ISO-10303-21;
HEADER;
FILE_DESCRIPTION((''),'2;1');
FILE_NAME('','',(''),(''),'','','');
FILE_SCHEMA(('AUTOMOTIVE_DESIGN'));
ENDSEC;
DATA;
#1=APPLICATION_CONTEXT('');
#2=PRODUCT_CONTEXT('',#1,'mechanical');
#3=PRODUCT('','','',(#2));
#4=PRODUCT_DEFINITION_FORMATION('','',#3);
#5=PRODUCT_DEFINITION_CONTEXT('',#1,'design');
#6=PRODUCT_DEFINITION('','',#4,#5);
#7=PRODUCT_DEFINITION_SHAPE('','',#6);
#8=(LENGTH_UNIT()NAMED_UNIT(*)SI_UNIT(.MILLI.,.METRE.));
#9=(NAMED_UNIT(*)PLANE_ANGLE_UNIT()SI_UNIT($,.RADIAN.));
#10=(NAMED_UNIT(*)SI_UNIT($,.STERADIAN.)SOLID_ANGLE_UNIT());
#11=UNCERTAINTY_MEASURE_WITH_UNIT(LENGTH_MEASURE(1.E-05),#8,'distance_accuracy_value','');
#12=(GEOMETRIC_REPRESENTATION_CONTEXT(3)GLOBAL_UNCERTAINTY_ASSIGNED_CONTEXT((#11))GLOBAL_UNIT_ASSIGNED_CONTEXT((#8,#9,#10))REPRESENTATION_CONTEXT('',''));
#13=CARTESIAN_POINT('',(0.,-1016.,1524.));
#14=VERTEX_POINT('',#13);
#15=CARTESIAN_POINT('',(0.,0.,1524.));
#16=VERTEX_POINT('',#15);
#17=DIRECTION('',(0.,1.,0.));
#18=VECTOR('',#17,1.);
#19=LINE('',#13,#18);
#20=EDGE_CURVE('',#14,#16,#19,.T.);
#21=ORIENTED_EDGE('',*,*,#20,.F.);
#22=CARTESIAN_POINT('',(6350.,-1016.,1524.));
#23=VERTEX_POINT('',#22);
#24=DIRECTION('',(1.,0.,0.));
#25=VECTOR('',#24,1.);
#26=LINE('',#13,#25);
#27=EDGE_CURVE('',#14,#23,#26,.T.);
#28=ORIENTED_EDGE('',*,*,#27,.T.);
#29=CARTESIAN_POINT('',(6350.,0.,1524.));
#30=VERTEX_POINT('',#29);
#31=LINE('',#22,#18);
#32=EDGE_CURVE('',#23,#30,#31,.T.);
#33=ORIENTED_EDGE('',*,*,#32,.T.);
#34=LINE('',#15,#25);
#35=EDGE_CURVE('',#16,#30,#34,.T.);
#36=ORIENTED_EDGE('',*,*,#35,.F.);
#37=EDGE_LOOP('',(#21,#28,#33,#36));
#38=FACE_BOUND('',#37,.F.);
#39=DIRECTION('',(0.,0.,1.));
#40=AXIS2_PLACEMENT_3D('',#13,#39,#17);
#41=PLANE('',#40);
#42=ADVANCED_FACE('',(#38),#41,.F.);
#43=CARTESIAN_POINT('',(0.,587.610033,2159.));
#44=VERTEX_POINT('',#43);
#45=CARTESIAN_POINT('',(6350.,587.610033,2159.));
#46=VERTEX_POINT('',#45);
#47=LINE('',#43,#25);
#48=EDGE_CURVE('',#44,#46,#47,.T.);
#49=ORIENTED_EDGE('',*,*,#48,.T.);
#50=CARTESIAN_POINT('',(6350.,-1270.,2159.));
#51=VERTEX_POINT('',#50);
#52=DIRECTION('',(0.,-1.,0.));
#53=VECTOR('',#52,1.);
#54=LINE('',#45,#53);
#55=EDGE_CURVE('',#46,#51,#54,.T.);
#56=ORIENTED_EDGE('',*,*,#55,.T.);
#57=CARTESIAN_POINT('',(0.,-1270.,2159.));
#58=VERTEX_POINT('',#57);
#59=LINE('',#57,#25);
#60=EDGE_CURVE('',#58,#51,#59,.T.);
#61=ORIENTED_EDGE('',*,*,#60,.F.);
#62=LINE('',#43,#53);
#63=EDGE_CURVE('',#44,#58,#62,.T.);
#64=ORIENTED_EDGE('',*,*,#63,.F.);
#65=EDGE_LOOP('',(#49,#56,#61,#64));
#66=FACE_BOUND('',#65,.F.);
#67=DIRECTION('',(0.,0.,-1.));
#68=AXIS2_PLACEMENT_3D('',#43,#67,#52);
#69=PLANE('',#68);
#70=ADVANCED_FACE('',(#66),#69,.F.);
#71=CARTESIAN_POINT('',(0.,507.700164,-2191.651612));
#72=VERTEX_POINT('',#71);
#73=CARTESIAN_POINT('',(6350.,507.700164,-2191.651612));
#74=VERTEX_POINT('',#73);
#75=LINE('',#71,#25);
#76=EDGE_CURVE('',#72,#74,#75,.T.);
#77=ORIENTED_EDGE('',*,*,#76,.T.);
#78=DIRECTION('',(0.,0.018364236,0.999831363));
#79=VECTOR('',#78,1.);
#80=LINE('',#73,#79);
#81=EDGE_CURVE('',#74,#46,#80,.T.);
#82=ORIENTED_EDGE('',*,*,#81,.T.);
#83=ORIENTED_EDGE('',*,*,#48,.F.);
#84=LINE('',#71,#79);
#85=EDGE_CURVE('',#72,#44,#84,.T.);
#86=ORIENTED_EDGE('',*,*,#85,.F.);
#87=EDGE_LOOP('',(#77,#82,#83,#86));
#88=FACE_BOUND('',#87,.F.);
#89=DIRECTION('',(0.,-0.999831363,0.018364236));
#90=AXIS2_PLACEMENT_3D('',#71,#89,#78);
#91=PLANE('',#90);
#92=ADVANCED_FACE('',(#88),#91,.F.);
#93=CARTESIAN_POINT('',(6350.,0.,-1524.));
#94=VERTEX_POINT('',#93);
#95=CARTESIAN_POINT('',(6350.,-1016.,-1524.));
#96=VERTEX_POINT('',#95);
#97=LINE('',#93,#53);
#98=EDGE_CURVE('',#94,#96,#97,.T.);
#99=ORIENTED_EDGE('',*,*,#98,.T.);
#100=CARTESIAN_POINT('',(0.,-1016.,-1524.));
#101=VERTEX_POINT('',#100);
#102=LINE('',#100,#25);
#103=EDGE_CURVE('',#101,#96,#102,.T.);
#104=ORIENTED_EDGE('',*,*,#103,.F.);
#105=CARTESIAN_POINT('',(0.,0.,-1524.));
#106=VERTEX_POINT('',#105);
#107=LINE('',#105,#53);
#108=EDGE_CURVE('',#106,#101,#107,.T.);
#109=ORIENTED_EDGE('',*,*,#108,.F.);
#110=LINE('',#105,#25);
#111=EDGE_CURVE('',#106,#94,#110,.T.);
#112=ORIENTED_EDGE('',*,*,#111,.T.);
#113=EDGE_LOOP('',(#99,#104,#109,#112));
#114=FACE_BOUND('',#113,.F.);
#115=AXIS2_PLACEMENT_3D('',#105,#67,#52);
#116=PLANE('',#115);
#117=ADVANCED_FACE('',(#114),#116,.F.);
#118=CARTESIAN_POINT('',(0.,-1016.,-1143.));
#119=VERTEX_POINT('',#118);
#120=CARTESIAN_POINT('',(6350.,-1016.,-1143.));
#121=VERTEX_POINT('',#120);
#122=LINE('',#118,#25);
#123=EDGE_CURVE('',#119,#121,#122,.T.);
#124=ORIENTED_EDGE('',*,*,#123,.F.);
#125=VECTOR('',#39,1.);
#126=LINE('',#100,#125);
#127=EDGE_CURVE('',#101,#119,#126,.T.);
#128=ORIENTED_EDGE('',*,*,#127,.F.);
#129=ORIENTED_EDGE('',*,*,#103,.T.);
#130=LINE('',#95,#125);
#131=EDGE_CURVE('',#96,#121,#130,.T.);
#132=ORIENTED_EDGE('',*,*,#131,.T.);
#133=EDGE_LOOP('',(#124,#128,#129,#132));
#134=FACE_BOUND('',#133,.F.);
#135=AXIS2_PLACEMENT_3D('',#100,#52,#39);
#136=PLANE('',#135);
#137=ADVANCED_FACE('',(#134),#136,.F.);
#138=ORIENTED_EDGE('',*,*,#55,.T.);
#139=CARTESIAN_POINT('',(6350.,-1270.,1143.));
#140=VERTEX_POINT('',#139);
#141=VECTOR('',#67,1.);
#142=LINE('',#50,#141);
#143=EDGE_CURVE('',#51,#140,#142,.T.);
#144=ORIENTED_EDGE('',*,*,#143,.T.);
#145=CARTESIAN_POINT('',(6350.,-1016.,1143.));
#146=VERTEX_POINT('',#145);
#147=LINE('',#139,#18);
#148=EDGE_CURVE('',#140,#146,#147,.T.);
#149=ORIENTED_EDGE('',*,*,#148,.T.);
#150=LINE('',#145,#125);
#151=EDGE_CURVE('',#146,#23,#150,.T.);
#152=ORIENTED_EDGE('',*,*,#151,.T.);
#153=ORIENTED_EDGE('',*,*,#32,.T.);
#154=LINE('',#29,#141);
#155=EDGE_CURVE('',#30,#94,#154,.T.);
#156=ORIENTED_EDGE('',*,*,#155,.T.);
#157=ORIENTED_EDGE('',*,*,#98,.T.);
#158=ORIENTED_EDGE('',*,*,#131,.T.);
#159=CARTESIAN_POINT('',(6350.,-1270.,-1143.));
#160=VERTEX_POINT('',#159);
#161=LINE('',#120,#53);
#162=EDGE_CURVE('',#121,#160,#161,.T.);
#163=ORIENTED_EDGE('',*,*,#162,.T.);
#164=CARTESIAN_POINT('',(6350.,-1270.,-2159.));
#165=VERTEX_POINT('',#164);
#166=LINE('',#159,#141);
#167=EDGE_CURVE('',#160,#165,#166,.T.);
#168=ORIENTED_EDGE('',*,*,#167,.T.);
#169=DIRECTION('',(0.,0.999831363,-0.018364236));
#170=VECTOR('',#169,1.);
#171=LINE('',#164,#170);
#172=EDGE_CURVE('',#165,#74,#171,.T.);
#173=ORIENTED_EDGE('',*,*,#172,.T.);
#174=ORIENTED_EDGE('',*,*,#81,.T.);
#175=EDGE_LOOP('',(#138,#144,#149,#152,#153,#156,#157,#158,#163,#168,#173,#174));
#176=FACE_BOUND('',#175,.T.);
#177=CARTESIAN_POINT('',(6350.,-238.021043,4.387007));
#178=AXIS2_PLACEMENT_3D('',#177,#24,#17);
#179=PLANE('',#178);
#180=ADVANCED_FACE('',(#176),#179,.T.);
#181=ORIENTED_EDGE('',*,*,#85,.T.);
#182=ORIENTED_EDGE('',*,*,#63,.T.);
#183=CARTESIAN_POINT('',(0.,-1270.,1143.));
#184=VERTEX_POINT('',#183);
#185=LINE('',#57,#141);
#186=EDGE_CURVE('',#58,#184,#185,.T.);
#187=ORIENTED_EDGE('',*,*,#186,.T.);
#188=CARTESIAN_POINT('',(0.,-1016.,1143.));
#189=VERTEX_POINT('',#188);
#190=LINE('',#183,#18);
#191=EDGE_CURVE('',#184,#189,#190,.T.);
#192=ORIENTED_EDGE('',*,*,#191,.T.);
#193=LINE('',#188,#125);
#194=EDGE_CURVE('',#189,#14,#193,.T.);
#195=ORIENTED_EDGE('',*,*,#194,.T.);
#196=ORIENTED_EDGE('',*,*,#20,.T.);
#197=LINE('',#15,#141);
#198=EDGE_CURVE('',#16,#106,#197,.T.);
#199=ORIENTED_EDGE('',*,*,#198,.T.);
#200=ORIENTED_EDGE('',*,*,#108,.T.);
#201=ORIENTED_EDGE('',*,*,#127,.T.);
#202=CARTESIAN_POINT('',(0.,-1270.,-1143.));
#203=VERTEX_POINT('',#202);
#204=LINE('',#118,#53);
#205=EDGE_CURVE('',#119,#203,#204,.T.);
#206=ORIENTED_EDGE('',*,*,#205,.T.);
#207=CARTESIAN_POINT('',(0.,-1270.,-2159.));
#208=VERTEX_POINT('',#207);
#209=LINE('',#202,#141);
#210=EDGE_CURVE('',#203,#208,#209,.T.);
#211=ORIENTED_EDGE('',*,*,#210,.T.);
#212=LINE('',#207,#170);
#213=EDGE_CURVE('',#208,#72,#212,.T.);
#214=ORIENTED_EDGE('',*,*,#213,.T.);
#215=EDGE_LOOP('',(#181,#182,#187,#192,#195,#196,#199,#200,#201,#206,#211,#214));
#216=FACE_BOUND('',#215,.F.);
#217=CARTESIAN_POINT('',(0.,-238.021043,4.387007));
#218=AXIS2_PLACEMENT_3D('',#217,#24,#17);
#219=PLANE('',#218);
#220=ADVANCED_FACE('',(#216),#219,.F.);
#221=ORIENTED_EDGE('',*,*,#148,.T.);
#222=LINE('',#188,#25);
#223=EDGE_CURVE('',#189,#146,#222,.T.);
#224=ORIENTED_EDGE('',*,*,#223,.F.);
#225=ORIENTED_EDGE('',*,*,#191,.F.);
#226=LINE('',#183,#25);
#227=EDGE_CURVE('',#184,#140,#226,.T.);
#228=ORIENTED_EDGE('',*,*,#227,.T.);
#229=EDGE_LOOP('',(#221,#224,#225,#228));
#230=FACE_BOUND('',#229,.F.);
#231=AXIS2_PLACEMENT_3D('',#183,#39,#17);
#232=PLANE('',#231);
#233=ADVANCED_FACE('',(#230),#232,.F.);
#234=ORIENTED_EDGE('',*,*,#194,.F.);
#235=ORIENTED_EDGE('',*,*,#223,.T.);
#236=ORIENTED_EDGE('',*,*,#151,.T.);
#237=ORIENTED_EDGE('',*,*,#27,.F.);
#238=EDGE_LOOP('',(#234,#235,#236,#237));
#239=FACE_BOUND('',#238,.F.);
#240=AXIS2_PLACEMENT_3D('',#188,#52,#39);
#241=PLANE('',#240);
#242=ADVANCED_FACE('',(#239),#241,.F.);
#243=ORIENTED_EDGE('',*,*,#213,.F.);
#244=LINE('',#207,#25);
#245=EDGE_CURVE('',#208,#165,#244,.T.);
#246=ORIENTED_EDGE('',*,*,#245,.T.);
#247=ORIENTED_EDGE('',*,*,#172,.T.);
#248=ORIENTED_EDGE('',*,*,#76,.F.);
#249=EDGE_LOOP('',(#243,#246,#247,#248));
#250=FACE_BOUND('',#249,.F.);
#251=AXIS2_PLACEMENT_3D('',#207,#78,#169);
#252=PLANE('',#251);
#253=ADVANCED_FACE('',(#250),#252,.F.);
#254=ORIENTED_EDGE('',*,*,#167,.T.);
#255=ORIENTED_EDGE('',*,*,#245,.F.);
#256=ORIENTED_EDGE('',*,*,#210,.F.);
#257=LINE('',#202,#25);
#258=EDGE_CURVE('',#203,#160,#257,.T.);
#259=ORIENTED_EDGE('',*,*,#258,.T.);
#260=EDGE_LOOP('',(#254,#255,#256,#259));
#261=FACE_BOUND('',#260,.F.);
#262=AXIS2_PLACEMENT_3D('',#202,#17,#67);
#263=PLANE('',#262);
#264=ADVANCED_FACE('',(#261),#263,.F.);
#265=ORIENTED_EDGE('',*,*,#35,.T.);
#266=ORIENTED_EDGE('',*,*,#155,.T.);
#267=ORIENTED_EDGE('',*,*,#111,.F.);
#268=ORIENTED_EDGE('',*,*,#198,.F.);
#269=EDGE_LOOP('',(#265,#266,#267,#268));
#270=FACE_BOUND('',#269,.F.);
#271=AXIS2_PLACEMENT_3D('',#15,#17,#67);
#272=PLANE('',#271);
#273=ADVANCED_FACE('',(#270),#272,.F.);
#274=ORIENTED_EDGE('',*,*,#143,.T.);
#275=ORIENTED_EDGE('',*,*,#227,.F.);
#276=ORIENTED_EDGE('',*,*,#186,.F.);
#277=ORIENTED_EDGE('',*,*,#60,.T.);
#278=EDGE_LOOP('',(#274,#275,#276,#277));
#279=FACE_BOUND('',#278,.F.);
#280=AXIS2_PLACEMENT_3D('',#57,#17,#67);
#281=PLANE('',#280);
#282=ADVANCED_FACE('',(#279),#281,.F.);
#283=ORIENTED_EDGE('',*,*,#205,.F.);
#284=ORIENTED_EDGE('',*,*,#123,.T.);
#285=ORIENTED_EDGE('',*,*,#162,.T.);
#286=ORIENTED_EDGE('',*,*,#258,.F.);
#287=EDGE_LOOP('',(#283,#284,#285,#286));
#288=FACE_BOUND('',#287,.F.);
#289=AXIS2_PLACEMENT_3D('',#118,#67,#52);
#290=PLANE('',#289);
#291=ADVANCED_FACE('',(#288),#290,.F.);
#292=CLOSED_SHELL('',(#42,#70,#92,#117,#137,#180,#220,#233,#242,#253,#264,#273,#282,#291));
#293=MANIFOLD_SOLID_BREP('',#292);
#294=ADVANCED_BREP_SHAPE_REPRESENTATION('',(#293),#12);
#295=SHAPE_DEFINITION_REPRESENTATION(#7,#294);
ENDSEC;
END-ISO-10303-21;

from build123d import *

# Parameters (mm, degrees)
F1_DEPTH = 6350


with BuildPart() as f1:
    # F0 (on Right) → F1 (new body)
    with BuildSketch(Plane.YZ):
        Polygon((0, 1524), (0, 0), (0, -1524), (-1016, -1524), (-1016, -1143), (-1270, -1143), (-1270, -2159), (507.700164, -2191.651612), (587.610033, 2159), (-1270, 2159), (-1270, 1143), (-1016, 1143), (-1016, 1524), align=None)
    extrude(amount=F1_DEPTH)


solid = f1.part
